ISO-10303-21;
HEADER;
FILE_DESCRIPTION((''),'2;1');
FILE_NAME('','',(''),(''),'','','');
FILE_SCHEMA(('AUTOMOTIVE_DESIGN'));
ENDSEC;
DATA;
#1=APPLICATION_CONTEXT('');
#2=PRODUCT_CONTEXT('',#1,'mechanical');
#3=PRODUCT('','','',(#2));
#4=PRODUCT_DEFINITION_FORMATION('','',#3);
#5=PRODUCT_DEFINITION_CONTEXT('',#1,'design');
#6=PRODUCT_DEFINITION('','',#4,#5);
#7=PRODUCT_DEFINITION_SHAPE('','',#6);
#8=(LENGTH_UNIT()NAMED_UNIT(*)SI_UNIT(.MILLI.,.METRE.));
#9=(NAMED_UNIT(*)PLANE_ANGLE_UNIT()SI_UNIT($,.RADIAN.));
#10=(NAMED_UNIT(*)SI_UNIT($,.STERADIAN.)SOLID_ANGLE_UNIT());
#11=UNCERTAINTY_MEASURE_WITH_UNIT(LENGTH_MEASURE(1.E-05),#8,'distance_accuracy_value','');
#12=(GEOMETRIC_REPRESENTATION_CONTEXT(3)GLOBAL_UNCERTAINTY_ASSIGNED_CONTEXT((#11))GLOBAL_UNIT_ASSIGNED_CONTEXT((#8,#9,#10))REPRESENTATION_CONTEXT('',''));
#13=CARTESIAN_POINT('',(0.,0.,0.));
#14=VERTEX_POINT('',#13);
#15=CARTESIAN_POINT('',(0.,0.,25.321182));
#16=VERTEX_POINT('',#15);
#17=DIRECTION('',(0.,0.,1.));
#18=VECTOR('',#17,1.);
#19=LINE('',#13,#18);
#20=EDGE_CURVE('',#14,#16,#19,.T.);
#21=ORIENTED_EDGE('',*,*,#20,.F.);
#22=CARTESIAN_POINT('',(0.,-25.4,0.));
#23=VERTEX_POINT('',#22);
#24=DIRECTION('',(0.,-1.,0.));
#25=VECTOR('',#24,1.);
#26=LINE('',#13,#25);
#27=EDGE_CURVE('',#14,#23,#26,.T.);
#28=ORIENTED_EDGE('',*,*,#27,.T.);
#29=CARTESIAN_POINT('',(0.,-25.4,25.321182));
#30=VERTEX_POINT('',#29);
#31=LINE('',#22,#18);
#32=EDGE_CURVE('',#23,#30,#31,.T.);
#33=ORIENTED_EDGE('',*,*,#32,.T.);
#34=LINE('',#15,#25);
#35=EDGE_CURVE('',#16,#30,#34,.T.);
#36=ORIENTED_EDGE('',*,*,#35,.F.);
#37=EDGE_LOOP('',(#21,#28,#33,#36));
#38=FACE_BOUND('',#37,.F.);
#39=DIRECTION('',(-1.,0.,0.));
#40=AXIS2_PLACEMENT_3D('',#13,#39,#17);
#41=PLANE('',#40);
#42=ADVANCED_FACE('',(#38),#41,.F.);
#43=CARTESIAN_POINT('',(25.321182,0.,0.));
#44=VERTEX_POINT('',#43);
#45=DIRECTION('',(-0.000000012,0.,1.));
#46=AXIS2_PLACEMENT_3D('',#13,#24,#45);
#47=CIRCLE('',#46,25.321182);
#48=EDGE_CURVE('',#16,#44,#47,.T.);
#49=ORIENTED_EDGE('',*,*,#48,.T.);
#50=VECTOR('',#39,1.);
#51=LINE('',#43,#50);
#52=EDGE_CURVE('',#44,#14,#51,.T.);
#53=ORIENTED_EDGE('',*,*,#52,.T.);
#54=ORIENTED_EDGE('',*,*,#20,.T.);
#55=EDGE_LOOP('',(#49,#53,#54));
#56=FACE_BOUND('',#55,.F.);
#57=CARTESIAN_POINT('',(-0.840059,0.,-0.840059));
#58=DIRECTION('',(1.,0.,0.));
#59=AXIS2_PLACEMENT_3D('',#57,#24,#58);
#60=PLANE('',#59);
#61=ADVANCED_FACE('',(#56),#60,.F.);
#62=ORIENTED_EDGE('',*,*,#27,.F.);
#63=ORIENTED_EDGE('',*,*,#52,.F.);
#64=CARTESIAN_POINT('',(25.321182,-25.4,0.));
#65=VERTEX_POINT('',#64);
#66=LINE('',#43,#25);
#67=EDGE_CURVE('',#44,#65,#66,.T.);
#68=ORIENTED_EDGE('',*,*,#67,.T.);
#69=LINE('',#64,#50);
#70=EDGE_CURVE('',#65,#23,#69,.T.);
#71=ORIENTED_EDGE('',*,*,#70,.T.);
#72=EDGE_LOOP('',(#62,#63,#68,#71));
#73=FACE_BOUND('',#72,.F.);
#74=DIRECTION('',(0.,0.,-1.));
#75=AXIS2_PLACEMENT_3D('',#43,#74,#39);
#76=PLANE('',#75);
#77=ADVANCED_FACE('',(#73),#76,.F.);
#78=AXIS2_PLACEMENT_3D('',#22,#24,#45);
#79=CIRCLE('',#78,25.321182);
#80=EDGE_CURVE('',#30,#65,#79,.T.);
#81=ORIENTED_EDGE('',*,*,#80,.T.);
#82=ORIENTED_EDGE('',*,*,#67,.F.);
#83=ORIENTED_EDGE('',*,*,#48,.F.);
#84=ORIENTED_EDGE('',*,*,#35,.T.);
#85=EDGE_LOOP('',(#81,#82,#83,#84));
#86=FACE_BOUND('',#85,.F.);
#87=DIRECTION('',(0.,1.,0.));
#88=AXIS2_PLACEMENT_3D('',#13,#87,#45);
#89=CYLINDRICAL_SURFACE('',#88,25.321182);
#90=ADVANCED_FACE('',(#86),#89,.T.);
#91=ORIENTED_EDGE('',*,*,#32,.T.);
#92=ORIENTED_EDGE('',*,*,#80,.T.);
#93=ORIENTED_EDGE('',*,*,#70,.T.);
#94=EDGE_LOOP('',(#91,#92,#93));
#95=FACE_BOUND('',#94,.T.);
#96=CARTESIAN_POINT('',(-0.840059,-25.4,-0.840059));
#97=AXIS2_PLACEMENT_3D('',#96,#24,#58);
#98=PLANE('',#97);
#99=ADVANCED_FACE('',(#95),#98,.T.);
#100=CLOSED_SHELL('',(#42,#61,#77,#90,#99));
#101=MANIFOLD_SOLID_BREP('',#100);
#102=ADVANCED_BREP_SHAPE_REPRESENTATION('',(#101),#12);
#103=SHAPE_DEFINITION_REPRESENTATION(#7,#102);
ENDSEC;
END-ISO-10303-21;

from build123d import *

# Parameters (mm, degrees)
F1_DEPTH = 25.4


with BuildPart() as f1:
    # F0 (on Front) → F1 (new body)
    with BuildSketch(Plane.XZ):
        with BuildLine():
            Line((25.321182, 0), (0, 0))
            Line((0, 0), (0, 25.321182))
            ThreePointArc((0, 25.321182), (-17.904779, -17.904779), (25.321182, 0))
        make_face()
    extrude(amount=F1_DEPTH)


solid = f1.part
